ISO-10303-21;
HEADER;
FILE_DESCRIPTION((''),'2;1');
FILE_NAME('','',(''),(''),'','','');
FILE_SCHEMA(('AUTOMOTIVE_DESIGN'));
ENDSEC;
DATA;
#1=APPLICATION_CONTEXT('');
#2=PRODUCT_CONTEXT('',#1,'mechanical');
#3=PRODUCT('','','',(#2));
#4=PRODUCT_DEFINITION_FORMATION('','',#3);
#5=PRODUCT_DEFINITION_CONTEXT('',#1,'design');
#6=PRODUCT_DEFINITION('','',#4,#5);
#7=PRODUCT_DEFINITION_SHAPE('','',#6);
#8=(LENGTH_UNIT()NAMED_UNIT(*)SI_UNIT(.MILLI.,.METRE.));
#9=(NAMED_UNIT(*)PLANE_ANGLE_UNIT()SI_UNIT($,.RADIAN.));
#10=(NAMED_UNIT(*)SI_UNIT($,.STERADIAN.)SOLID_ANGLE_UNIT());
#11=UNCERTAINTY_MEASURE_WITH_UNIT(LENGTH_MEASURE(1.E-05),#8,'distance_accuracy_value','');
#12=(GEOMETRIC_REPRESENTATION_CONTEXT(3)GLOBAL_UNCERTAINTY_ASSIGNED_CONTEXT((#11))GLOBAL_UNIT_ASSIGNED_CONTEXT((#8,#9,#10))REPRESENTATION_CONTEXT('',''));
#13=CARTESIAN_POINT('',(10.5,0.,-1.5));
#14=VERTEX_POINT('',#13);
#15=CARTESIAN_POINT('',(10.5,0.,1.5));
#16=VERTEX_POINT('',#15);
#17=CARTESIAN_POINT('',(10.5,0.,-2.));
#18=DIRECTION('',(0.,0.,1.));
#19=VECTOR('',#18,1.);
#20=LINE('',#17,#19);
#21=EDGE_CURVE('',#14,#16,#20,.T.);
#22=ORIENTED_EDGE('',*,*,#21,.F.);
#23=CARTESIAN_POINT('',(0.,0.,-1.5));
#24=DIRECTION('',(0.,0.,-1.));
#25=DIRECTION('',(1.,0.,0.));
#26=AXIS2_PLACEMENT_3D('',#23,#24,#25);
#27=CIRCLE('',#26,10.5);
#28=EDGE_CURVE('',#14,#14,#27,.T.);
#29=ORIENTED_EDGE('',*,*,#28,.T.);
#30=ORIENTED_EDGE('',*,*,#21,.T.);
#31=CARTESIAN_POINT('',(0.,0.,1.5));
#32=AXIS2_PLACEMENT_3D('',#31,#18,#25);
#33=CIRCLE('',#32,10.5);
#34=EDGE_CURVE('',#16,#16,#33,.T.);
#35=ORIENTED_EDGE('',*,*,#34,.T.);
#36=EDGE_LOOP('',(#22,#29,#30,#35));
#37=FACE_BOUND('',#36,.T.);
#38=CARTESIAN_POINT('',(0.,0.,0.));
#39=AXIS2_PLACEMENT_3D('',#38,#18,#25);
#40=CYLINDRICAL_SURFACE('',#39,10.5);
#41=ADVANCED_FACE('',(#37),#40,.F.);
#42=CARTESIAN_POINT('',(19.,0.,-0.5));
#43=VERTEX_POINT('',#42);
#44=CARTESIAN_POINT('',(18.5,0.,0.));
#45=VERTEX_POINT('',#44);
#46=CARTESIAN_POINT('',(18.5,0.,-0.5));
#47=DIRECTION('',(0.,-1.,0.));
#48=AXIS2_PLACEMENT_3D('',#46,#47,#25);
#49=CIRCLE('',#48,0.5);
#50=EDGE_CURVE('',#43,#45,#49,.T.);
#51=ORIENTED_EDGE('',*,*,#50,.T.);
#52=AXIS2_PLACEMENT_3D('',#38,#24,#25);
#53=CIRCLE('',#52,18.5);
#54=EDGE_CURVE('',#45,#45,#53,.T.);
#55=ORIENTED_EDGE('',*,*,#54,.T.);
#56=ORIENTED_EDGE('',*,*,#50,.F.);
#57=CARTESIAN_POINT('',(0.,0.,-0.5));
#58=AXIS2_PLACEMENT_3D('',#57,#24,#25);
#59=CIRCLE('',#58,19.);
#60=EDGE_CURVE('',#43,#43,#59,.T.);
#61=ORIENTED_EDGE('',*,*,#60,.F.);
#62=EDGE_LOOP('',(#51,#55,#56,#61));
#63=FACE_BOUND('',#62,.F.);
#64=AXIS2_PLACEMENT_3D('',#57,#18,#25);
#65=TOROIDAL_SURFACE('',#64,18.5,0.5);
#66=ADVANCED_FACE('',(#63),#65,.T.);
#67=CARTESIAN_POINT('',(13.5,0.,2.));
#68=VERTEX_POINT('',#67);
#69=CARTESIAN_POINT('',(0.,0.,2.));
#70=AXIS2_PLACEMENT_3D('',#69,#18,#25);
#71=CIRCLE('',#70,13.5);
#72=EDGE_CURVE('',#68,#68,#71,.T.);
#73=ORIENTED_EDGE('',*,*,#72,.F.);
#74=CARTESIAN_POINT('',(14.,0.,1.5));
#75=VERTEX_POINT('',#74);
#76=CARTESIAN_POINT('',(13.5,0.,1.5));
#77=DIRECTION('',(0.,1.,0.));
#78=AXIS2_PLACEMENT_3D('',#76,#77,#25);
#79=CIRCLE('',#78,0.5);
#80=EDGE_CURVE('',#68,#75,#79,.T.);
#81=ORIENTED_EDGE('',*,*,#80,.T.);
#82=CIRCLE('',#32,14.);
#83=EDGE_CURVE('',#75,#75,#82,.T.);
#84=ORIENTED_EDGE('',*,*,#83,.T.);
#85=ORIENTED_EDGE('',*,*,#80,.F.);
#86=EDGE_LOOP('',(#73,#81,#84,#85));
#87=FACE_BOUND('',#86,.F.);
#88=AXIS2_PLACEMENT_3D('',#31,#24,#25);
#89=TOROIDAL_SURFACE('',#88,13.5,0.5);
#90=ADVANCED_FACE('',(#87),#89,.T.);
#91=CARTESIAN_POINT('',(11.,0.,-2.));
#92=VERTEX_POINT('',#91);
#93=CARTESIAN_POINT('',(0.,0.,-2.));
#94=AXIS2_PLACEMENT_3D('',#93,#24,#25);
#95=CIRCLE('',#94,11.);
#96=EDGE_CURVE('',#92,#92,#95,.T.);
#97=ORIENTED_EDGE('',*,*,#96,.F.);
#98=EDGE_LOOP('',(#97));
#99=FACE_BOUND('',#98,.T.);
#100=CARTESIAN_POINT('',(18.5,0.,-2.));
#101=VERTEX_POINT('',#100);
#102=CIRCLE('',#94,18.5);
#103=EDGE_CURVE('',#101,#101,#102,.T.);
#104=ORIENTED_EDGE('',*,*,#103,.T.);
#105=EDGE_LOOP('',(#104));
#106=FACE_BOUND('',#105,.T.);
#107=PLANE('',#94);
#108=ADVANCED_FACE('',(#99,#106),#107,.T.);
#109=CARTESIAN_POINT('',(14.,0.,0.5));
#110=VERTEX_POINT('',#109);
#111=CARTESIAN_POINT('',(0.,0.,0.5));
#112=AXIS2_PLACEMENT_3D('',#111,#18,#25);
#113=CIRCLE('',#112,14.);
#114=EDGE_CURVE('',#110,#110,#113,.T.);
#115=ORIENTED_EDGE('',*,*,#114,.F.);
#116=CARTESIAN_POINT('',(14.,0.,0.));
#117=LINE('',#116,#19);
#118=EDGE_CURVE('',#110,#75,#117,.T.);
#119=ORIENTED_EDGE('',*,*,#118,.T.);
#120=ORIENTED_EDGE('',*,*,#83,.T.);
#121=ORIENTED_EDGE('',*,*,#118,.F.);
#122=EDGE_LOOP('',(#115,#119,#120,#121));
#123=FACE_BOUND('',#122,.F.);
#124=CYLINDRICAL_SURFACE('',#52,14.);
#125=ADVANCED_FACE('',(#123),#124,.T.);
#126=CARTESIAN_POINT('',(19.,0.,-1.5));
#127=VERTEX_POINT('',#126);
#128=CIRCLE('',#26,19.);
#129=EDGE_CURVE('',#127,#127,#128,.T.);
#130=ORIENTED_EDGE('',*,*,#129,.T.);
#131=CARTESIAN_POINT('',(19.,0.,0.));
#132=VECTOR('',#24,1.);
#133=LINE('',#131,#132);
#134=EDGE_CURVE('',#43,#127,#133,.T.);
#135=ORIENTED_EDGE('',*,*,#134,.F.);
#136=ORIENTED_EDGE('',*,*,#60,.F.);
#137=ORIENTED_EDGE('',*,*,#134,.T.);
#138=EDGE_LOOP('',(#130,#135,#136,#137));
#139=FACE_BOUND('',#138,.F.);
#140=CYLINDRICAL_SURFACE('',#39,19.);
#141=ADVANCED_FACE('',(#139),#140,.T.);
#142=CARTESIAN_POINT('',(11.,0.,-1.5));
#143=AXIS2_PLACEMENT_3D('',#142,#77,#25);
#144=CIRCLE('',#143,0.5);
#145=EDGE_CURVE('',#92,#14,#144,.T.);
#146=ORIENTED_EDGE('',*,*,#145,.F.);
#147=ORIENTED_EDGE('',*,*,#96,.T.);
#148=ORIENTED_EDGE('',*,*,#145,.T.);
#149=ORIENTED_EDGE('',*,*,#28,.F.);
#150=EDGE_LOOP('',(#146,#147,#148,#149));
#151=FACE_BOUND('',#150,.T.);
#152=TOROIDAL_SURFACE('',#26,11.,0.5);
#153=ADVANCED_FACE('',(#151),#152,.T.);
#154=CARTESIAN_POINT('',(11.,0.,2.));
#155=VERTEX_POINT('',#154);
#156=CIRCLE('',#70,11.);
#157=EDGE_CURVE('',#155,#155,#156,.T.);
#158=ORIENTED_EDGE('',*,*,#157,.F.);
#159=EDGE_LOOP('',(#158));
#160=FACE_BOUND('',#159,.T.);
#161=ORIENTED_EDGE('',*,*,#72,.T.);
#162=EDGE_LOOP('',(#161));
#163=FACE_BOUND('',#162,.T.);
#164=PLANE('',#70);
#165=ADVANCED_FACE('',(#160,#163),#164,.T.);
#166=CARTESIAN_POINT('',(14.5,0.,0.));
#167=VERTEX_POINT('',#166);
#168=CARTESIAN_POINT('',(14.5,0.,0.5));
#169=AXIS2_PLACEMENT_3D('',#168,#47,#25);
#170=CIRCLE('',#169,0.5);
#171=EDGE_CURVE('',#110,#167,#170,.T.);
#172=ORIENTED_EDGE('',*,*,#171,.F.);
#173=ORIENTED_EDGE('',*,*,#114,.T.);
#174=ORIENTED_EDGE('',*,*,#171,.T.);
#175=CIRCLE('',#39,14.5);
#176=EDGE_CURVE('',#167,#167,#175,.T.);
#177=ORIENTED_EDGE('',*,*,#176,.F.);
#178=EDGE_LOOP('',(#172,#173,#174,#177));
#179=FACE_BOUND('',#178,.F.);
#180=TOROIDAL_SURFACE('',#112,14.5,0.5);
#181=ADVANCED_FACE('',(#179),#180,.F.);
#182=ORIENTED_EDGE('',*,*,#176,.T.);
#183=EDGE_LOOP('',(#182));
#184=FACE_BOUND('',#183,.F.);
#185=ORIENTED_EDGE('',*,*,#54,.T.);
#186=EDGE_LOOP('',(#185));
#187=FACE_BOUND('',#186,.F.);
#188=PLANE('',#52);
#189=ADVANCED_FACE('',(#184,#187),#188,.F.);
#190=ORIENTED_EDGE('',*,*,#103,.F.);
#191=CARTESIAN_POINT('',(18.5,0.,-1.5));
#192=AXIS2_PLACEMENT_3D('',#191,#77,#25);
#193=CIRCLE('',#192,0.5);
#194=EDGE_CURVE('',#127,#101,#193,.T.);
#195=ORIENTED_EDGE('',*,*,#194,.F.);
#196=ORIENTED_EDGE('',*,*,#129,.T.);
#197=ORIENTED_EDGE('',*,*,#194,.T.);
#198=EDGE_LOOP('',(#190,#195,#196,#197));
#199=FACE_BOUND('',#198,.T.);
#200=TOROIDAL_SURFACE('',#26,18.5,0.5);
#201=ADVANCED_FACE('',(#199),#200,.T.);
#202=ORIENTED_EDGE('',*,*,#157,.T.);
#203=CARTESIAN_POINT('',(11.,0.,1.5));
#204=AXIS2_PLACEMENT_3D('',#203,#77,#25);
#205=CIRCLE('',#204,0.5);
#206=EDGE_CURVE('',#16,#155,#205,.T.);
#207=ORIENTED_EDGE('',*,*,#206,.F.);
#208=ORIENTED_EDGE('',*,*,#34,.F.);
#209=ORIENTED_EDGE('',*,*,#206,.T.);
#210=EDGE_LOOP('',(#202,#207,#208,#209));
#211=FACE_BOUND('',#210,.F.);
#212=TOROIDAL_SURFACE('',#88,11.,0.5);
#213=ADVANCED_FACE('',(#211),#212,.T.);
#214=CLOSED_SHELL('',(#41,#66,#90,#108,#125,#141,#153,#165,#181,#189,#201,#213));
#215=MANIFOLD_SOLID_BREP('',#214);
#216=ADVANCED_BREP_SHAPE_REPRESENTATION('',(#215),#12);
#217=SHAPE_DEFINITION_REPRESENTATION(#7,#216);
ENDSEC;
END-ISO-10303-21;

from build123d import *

# Parameters (mm, degrees)
F0_R     = 14
F0_R_2   = 10.5
F1_DEPTH = 2
F2_R     = 19
F2_R_2   = 10.5
F3_DEPTH = 2
F4_R     = 0.5


with BuildPart() as f1:
    # F0 (on Top) → F1 (new body)
    with BuildSketch(Plane.XY):
        Circle(F0_R)
        Circle(F0_R_2, mode=Mode.SUBTRACT)
    extrude(amount=F1_DEPTH)

    # F2 (on face) → F3 (join)
    with BuildSketch(Plane(origin=(0, 0, 0), x_dir=(1, 0, 0), z_dir=(0, 0, -1))):
        Circle(F2_R)
        Circle(F2_R_2, mode=Mode.SUBTRACT)
    extrude(amount=F3_DEPTH)

    # F4
    f4_edges = [f1.edges().sort_by_distance(p)[0] for p in [
        (-10.5, 0, 2),
        (-14, 0, 2),
        (-19, 0, 0),
        (-14, 0, 0),
        (-19, 0, -2),
        (-10.5, 0, -2),
    ]]
    fillet(f4_edges, radius=F4_R)


solid = f1.part
